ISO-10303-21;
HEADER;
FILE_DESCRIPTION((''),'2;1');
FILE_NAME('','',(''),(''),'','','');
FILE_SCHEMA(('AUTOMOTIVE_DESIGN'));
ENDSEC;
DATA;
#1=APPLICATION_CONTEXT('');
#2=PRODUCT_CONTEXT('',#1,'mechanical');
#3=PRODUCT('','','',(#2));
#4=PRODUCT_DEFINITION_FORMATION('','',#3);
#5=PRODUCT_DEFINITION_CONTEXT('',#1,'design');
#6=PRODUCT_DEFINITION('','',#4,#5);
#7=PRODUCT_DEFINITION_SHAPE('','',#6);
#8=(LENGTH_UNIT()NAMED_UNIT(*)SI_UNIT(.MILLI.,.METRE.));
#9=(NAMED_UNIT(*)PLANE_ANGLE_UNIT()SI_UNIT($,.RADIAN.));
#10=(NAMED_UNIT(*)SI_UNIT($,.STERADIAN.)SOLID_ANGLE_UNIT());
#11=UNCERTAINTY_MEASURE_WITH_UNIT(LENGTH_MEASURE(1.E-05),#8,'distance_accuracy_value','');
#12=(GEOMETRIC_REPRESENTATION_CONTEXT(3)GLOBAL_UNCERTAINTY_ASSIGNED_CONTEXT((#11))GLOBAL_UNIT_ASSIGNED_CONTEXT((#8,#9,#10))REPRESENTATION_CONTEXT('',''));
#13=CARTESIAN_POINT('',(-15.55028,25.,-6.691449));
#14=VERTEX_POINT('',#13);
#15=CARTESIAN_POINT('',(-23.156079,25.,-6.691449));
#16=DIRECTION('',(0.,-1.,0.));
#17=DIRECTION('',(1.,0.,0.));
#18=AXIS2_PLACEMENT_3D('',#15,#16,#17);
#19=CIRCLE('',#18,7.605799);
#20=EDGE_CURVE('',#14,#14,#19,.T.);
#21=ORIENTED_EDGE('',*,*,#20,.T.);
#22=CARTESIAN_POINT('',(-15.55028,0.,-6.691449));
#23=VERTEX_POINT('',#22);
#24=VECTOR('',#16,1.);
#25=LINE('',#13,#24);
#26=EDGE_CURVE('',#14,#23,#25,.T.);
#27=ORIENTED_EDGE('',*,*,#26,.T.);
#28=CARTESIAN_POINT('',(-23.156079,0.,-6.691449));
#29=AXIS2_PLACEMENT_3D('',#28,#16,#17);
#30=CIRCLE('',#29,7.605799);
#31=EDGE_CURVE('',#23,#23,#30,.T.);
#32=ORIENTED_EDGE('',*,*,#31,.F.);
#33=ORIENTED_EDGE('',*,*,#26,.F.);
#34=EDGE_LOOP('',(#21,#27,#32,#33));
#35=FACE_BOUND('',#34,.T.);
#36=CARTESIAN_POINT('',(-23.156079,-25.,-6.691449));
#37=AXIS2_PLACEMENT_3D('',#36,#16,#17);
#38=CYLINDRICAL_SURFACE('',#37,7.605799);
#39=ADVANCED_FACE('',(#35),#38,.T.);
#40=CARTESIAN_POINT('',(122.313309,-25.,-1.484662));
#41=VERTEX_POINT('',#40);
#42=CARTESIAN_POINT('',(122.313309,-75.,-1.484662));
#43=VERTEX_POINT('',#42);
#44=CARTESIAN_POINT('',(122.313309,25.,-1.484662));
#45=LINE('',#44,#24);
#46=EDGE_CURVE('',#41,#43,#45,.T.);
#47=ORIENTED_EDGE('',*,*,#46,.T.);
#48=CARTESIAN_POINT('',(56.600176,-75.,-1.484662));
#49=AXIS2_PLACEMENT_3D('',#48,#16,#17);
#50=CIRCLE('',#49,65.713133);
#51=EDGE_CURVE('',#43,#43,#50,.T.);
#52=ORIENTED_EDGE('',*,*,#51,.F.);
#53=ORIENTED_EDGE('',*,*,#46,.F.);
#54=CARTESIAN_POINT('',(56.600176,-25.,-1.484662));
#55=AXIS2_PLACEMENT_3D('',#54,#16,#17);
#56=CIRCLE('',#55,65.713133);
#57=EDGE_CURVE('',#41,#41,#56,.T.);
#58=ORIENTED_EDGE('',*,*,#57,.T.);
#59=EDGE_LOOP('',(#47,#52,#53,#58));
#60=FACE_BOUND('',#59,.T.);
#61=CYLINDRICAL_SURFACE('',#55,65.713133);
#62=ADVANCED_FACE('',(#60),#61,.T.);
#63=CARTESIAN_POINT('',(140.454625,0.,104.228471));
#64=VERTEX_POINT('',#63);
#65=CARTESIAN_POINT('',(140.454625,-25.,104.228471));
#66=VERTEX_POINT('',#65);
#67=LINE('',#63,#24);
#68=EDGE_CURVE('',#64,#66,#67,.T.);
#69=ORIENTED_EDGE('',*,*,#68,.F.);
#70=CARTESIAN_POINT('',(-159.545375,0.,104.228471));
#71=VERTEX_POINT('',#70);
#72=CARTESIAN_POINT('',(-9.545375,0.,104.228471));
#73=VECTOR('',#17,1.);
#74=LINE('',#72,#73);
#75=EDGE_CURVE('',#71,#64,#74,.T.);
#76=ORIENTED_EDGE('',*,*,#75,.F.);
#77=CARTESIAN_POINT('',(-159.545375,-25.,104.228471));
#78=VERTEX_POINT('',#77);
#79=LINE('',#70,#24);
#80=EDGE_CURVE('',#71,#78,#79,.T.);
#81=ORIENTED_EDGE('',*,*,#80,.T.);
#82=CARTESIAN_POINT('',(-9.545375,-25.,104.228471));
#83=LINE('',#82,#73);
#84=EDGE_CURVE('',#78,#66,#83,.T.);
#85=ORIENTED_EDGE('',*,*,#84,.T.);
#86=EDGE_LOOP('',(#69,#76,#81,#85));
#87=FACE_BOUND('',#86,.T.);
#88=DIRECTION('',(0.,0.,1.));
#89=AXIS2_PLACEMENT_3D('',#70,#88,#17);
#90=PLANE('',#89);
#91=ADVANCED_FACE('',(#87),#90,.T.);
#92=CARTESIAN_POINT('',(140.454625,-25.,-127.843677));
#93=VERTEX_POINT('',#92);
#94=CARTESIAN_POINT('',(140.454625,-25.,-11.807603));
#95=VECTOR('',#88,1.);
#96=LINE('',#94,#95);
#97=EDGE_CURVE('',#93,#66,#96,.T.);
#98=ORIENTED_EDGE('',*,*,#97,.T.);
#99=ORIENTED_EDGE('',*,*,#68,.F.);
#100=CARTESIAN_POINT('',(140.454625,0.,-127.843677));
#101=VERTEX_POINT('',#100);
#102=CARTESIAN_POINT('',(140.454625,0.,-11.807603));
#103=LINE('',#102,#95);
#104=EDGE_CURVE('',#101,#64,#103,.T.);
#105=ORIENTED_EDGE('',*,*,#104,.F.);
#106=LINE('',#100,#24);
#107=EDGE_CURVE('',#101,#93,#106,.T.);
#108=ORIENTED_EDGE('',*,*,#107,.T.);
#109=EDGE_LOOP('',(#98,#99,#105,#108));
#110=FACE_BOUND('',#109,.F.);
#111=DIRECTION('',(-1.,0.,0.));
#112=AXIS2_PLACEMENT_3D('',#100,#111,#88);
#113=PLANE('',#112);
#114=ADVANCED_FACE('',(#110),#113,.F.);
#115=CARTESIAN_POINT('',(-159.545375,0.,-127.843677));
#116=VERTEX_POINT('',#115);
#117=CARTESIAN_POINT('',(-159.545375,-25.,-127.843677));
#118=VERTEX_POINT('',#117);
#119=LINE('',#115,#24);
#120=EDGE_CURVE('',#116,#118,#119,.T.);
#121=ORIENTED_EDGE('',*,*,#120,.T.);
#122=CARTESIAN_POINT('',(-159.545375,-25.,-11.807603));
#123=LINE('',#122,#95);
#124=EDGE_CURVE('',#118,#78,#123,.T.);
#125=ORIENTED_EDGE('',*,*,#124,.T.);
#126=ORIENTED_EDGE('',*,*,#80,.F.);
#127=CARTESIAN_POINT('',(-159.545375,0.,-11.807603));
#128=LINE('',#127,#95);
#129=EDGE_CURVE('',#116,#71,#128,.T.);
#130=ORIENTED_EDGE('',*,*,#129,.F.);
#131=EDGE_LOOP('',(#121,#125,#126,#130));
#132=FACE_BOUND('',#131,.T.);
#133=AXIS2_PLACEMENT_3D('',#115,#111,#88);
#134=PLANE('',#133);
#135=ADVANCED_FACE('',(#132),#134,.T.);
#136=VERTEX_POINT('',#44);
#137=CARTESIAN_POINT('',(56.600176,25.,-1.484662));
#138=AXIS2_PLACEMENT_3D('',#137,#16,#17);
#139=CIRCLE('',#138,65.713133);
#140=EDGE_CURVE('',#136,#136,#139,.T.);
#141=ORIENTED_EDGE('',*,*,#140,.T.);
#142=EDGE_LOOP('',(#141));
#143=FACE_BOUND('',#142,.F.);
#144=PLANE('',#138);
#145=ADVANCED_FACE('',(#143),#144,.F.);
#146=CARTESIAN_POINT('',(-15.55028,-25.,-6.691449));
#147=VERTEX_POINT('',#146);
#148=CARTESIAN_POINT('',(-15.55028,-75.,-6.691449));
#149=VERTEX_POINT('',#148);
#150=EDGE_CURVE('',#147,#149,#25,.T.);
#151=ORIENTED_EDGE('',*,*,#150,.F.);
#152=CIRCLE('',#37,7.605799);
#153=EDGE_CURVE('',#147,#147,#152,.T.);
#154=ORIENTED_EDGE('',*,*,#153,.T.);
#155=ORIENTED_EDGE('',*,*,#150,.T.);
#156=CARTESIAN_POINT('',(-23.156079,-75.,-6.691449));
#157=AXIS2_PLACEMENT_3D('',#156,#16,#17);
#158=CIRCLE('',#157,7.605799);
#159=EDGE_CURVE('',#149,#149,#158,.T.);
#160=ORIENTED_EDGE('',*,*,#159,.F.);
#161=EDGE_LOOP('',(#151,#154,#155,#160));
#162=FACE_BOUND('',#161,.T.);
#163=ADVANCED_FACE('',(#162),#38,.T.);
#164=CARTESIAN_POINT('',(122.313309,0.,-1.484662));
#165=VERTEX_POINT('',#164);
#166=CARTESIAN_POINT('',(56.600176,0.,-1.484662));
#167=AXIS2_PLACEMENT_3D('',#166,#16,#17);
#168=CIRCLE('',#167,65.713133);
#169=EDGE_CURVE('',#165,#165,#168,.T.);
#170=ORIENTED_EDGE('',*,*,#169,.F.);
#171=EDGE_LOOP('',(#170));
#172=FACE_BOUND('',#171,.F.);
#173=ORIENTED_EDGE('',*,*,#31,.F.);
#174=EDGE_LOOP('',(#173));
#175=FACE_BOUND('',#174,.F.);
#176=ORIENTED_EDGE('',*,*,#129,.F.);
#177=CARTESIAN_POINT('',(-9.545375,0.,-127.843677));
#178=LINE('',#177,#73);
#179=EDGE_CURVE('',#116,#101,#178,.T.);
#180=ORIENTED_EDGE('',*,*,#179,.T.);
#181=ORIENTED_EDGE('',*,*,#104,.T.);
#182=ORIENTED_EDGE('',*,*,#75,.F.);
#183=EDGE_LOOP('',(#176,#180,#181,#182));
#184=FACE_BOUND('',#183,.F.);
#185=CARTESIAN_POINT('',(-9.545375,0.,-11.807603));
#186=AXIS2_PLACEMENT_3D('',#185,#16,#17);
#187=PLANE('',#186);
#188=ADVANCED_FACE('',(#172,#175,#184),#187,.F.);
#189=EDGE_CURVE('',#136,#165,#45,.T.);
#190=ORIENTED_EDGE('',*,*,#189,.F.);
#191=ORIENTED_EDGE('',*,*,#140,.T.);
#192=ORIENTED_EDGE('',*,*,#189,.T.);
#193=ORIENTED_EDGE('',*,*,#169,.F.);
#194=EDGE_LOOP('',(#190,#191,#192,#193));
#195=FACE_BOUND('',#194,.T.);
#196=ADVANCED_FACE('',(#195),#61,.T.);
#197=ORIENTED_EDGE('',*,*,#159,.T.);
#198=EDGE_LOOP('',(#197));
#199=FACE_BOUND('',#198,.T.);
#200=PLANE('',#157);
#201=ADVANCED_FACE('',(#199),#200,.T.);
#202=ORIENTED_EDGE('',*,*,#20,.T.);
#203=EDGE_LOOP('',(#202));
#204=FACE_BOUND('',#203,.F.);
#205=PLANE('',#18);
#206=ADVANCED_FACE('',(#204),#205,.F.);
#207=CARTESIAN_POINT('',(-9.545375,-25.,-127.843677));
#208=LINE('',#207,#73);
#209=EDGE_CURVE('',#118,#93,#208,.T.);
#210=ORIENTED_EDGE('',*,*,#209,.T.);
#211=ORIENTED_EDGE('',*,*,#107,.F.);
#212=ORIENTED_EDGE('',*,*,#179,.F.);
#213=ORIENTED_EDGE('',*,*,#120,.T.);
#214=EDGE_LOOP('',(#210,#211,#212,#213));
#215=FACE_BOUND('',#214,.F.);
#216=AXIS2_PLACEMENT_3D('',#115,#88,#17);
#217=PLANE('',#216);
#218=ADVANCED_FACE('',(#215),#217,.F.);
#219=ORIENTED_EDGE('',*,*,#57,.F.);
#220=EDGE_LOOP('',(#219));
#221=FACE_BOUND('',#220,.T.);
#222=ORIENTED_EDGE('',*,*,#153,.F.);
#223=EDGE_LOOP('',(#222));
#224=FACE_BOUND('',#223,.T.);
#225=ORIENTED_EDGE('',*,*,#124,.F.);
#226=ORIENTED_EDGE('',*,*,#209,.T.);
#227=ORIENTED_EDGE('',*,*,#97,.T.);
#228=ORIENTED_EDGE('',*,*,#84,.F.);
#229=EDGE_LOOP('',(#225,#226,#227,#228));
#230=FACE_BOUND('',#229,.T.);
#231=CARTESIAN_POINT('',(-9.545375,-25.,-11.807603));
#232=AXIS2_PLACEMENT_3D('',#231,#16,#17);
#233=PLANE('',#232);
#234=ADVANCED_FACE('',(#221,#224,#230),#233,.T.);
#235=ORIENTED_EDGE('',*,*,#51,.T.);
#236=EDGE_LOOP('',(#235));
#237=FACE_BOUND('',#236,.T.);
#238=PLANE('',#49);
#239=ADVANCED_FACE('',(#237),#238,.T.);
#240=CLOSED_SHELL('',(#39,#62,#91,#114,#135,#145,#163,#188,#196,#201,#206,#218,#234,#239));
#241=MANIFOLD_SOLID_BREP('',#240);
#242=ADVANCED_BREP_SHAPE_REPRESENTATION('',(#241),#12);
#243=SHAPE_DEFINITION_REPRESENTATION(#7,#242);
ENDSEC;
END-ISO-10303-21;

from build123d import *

# Parameters (mm, degrees)
F0_W     = 300
F0_H     = 232.072148
F1_DEPTH = 25
F2_R     = 7.605799
F3_DEPTH = 50
F4_R     = 65.713133
F5_DEPTH = 50


with BuildPart() as f1:
    # F0 (on Front) → F1 (new body)
    with BuildSketch(Plane.XZ):
        with Locations((-9.545375, -11.807603)):
            Rectangle(F0_W, F0_H)
    extrude(amount=F1_DEPTH)

    # F2 (on face) → F3 (join, symmetric)
    with BuildSketch(Plane.XZ.offset(25)):
        with Locations((-23.156079, -6.691449)):
            Circle(F2_R)
    extrude(amount=F3_DEPTH, both=True)

    # F4 (on face) → F5 (join, symmetric)
    with BuildSketch(Plane.XZ.offset(25)):
        with Locations((56.600176, -1.484662)):
            Circle(F4_R)
    extrude(amount=F5_DEPTH, both=True)


solid = f1.part
